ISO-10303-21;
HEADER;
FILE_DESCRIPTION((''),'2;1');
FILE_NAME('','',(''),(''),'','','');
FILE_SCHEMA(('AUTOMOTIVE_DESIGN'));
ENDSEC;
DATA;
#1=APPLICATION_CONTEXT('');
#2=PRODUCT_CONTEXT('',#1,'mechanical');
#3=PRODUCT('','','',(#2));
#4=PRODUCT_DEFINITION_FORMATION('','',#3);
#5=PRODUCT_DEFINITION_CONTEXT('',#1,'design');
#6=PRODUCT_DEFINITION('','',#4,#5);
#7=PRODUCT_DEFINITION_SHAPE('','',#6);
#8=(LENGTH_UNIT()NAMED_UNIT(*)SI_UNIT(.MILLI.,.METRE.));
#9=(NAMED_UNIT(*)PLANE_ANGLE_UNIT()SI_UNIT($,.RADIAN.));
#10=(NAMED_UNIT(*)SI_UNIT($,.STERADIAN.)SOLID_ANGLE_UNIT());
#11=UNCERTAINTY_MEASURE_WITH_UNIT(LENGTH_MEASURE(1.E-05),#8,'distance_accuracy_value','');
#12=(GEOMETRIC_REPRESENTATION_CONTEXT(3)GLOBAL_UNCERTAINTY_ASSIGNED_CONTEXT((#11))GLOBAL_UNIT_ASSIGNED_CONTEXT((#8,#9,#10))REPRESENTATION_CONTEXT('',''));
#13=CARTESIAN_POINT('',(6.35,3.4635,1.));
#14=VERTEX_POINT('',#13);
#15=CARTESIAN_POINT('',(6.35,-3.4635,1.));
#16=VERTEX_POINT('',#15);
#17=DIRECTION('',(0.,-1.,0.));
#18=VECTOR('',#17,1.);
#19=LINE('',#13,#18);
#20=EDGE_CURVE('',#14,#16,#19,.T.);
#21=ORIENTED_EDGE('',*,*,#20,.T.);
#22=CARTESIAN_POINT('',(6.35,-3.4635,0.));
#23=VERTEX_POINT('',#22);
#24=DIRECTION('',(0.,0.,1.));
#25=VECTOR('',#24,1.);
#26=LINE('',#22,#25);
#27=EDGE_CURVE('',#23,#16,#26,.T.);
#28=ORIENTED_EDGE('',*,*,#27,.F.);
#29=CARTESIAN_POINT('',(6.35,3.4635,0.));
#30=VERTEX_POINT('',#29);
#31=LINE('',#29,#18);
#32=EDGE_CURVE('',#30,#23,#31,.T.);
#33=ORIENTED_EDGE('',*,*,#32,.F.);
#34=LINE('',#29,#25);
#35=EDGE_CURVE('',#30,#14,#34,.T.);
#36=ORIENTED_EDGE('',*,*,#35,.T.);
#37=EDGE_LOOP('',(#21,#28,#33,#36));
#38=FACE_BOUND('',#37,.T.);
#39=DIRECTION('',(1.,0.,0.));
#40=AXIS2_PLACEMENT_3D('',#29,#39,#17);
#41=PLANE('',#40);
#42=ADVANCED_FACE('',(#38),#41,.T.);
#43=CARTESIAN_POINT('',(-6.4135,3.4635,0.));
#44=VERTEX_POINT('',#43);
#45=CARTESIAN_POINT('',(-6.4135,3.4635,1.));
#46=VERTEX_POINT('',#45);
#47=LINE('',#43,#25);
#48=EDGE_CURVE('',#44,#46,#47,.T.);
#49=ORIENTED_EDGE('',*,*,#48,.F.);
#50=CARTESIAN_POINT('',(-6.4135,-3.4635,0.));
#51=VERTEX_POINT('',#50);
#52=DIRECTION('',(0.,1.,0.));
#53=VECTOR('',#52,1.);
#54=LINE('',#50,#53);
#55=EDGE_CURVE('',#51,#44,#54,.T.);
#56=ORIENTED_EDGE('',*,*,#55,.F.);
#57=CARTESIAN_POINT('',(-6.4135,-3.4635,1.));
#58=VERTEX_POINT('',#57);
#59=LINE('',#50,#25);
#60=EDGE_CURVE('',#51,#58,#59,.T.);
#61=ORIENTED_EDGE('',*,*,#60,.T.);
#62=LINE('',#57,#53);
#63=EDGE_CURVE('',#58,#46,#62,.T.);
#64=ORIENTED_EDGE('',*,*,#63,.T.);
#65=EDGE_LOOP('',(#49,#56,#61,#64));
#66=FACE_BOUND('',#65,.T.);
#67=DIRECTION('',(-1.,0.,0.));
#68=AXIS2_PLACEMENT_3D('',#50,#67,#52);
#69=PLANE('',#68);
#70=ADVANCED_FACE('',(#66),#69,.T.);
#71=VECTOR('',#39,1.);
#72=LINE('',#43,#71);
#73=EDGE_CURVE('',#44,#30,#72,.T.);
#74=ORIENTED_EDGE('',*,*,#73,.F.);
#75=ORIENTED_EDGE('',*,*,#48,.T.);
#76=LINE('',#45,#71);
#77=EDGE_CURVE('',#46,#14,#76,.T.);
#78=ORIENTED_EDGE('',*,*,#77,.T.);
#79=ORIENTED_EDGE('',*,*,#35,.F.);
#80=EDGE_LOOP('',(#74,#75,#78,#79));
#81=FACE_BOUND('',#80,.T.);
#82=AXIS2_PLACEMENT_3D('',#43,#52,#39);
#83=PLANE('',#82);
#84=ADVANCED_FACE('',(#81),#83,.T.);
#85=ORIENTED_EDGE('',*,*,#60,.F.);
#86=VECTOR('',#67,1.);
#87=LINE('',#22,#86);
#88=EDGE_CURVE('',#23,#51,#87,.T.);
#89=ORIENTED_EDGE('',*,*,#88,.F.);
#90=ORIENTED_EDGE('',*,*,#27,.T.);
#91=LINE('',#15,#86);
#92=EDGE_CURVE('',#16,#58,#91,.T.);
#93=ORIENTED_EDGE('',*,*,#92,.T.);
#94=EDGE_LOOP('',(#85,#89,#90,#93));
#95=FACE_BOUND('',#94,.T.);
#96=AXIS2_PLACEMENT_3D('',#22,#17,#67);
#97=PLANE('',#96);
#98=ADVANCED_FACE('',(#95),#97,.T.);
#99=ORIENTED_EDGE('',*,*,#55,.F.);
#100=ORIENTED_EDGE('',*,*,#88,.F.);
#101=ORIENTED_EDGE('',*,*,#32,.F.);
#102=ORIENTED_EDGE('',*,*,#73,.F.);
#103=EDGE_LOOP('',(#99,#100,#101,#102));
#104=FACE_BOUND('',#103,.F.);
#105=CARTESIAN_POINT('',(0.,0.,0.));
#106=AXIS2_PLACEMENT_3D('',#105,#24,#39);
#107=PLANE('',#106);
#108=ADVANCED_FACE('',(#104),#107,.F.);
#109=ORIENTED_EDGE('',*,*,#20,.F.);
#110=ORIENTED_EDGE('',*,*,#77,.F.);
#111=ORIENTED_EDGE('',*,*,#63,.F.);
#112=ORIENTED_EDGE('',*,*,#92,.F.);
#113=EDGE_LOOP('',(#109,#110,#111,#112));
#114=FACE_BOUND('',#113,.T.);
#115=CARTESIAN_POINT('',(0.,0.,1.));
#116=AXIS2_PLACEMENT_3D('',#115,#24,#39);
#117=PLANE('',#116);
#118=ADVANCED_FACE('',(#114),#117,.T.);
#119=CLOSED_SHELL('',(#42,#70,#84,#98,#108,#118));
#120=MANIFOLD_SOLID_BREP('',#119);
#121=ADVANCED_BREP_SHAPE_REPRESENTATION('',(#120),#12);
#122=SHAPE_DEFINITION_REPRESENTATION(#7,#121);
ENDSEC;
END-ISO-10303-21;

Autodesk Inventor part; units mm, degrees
ref_plane "YZ Plane" through (0, 0, 0) normal (1, 0, 0) x (0, 1, 0)
ref_plane "XZ Plane" through (0, 0, 0) normal (0, 1, 0) x (-1, 0, 0)
ref_plane "XY Plane" through (0, 0, 0) normal (0, 0, 1) x (1, 0, 0)
sketch "_SWITCH_SPDT_4_7, _SWITCH_SPDT_4_7_50" plane through (0, 0, 0) normal (0, 0, 1) x (1, 0, 0)
  line L0 (-6.4135, 3.4635) -> (6.35, 3.4635)
  line L1 (6.35, 3.4635) -> (6.35, -3.4635)
  line L2 (6.35, -3.4635) -> (-6.4135, -3.4635)
  line L3 (-6.4135, -3.4635) -> (-6.4135, 3.4635)
extrude "Extrusion1" add sketch "_SWITCH_SPDT_4_7, _SWITCH_SPDT_4_7_50" along normal blind 1
properties part number "_SWITCH_SPDT_4_7"
